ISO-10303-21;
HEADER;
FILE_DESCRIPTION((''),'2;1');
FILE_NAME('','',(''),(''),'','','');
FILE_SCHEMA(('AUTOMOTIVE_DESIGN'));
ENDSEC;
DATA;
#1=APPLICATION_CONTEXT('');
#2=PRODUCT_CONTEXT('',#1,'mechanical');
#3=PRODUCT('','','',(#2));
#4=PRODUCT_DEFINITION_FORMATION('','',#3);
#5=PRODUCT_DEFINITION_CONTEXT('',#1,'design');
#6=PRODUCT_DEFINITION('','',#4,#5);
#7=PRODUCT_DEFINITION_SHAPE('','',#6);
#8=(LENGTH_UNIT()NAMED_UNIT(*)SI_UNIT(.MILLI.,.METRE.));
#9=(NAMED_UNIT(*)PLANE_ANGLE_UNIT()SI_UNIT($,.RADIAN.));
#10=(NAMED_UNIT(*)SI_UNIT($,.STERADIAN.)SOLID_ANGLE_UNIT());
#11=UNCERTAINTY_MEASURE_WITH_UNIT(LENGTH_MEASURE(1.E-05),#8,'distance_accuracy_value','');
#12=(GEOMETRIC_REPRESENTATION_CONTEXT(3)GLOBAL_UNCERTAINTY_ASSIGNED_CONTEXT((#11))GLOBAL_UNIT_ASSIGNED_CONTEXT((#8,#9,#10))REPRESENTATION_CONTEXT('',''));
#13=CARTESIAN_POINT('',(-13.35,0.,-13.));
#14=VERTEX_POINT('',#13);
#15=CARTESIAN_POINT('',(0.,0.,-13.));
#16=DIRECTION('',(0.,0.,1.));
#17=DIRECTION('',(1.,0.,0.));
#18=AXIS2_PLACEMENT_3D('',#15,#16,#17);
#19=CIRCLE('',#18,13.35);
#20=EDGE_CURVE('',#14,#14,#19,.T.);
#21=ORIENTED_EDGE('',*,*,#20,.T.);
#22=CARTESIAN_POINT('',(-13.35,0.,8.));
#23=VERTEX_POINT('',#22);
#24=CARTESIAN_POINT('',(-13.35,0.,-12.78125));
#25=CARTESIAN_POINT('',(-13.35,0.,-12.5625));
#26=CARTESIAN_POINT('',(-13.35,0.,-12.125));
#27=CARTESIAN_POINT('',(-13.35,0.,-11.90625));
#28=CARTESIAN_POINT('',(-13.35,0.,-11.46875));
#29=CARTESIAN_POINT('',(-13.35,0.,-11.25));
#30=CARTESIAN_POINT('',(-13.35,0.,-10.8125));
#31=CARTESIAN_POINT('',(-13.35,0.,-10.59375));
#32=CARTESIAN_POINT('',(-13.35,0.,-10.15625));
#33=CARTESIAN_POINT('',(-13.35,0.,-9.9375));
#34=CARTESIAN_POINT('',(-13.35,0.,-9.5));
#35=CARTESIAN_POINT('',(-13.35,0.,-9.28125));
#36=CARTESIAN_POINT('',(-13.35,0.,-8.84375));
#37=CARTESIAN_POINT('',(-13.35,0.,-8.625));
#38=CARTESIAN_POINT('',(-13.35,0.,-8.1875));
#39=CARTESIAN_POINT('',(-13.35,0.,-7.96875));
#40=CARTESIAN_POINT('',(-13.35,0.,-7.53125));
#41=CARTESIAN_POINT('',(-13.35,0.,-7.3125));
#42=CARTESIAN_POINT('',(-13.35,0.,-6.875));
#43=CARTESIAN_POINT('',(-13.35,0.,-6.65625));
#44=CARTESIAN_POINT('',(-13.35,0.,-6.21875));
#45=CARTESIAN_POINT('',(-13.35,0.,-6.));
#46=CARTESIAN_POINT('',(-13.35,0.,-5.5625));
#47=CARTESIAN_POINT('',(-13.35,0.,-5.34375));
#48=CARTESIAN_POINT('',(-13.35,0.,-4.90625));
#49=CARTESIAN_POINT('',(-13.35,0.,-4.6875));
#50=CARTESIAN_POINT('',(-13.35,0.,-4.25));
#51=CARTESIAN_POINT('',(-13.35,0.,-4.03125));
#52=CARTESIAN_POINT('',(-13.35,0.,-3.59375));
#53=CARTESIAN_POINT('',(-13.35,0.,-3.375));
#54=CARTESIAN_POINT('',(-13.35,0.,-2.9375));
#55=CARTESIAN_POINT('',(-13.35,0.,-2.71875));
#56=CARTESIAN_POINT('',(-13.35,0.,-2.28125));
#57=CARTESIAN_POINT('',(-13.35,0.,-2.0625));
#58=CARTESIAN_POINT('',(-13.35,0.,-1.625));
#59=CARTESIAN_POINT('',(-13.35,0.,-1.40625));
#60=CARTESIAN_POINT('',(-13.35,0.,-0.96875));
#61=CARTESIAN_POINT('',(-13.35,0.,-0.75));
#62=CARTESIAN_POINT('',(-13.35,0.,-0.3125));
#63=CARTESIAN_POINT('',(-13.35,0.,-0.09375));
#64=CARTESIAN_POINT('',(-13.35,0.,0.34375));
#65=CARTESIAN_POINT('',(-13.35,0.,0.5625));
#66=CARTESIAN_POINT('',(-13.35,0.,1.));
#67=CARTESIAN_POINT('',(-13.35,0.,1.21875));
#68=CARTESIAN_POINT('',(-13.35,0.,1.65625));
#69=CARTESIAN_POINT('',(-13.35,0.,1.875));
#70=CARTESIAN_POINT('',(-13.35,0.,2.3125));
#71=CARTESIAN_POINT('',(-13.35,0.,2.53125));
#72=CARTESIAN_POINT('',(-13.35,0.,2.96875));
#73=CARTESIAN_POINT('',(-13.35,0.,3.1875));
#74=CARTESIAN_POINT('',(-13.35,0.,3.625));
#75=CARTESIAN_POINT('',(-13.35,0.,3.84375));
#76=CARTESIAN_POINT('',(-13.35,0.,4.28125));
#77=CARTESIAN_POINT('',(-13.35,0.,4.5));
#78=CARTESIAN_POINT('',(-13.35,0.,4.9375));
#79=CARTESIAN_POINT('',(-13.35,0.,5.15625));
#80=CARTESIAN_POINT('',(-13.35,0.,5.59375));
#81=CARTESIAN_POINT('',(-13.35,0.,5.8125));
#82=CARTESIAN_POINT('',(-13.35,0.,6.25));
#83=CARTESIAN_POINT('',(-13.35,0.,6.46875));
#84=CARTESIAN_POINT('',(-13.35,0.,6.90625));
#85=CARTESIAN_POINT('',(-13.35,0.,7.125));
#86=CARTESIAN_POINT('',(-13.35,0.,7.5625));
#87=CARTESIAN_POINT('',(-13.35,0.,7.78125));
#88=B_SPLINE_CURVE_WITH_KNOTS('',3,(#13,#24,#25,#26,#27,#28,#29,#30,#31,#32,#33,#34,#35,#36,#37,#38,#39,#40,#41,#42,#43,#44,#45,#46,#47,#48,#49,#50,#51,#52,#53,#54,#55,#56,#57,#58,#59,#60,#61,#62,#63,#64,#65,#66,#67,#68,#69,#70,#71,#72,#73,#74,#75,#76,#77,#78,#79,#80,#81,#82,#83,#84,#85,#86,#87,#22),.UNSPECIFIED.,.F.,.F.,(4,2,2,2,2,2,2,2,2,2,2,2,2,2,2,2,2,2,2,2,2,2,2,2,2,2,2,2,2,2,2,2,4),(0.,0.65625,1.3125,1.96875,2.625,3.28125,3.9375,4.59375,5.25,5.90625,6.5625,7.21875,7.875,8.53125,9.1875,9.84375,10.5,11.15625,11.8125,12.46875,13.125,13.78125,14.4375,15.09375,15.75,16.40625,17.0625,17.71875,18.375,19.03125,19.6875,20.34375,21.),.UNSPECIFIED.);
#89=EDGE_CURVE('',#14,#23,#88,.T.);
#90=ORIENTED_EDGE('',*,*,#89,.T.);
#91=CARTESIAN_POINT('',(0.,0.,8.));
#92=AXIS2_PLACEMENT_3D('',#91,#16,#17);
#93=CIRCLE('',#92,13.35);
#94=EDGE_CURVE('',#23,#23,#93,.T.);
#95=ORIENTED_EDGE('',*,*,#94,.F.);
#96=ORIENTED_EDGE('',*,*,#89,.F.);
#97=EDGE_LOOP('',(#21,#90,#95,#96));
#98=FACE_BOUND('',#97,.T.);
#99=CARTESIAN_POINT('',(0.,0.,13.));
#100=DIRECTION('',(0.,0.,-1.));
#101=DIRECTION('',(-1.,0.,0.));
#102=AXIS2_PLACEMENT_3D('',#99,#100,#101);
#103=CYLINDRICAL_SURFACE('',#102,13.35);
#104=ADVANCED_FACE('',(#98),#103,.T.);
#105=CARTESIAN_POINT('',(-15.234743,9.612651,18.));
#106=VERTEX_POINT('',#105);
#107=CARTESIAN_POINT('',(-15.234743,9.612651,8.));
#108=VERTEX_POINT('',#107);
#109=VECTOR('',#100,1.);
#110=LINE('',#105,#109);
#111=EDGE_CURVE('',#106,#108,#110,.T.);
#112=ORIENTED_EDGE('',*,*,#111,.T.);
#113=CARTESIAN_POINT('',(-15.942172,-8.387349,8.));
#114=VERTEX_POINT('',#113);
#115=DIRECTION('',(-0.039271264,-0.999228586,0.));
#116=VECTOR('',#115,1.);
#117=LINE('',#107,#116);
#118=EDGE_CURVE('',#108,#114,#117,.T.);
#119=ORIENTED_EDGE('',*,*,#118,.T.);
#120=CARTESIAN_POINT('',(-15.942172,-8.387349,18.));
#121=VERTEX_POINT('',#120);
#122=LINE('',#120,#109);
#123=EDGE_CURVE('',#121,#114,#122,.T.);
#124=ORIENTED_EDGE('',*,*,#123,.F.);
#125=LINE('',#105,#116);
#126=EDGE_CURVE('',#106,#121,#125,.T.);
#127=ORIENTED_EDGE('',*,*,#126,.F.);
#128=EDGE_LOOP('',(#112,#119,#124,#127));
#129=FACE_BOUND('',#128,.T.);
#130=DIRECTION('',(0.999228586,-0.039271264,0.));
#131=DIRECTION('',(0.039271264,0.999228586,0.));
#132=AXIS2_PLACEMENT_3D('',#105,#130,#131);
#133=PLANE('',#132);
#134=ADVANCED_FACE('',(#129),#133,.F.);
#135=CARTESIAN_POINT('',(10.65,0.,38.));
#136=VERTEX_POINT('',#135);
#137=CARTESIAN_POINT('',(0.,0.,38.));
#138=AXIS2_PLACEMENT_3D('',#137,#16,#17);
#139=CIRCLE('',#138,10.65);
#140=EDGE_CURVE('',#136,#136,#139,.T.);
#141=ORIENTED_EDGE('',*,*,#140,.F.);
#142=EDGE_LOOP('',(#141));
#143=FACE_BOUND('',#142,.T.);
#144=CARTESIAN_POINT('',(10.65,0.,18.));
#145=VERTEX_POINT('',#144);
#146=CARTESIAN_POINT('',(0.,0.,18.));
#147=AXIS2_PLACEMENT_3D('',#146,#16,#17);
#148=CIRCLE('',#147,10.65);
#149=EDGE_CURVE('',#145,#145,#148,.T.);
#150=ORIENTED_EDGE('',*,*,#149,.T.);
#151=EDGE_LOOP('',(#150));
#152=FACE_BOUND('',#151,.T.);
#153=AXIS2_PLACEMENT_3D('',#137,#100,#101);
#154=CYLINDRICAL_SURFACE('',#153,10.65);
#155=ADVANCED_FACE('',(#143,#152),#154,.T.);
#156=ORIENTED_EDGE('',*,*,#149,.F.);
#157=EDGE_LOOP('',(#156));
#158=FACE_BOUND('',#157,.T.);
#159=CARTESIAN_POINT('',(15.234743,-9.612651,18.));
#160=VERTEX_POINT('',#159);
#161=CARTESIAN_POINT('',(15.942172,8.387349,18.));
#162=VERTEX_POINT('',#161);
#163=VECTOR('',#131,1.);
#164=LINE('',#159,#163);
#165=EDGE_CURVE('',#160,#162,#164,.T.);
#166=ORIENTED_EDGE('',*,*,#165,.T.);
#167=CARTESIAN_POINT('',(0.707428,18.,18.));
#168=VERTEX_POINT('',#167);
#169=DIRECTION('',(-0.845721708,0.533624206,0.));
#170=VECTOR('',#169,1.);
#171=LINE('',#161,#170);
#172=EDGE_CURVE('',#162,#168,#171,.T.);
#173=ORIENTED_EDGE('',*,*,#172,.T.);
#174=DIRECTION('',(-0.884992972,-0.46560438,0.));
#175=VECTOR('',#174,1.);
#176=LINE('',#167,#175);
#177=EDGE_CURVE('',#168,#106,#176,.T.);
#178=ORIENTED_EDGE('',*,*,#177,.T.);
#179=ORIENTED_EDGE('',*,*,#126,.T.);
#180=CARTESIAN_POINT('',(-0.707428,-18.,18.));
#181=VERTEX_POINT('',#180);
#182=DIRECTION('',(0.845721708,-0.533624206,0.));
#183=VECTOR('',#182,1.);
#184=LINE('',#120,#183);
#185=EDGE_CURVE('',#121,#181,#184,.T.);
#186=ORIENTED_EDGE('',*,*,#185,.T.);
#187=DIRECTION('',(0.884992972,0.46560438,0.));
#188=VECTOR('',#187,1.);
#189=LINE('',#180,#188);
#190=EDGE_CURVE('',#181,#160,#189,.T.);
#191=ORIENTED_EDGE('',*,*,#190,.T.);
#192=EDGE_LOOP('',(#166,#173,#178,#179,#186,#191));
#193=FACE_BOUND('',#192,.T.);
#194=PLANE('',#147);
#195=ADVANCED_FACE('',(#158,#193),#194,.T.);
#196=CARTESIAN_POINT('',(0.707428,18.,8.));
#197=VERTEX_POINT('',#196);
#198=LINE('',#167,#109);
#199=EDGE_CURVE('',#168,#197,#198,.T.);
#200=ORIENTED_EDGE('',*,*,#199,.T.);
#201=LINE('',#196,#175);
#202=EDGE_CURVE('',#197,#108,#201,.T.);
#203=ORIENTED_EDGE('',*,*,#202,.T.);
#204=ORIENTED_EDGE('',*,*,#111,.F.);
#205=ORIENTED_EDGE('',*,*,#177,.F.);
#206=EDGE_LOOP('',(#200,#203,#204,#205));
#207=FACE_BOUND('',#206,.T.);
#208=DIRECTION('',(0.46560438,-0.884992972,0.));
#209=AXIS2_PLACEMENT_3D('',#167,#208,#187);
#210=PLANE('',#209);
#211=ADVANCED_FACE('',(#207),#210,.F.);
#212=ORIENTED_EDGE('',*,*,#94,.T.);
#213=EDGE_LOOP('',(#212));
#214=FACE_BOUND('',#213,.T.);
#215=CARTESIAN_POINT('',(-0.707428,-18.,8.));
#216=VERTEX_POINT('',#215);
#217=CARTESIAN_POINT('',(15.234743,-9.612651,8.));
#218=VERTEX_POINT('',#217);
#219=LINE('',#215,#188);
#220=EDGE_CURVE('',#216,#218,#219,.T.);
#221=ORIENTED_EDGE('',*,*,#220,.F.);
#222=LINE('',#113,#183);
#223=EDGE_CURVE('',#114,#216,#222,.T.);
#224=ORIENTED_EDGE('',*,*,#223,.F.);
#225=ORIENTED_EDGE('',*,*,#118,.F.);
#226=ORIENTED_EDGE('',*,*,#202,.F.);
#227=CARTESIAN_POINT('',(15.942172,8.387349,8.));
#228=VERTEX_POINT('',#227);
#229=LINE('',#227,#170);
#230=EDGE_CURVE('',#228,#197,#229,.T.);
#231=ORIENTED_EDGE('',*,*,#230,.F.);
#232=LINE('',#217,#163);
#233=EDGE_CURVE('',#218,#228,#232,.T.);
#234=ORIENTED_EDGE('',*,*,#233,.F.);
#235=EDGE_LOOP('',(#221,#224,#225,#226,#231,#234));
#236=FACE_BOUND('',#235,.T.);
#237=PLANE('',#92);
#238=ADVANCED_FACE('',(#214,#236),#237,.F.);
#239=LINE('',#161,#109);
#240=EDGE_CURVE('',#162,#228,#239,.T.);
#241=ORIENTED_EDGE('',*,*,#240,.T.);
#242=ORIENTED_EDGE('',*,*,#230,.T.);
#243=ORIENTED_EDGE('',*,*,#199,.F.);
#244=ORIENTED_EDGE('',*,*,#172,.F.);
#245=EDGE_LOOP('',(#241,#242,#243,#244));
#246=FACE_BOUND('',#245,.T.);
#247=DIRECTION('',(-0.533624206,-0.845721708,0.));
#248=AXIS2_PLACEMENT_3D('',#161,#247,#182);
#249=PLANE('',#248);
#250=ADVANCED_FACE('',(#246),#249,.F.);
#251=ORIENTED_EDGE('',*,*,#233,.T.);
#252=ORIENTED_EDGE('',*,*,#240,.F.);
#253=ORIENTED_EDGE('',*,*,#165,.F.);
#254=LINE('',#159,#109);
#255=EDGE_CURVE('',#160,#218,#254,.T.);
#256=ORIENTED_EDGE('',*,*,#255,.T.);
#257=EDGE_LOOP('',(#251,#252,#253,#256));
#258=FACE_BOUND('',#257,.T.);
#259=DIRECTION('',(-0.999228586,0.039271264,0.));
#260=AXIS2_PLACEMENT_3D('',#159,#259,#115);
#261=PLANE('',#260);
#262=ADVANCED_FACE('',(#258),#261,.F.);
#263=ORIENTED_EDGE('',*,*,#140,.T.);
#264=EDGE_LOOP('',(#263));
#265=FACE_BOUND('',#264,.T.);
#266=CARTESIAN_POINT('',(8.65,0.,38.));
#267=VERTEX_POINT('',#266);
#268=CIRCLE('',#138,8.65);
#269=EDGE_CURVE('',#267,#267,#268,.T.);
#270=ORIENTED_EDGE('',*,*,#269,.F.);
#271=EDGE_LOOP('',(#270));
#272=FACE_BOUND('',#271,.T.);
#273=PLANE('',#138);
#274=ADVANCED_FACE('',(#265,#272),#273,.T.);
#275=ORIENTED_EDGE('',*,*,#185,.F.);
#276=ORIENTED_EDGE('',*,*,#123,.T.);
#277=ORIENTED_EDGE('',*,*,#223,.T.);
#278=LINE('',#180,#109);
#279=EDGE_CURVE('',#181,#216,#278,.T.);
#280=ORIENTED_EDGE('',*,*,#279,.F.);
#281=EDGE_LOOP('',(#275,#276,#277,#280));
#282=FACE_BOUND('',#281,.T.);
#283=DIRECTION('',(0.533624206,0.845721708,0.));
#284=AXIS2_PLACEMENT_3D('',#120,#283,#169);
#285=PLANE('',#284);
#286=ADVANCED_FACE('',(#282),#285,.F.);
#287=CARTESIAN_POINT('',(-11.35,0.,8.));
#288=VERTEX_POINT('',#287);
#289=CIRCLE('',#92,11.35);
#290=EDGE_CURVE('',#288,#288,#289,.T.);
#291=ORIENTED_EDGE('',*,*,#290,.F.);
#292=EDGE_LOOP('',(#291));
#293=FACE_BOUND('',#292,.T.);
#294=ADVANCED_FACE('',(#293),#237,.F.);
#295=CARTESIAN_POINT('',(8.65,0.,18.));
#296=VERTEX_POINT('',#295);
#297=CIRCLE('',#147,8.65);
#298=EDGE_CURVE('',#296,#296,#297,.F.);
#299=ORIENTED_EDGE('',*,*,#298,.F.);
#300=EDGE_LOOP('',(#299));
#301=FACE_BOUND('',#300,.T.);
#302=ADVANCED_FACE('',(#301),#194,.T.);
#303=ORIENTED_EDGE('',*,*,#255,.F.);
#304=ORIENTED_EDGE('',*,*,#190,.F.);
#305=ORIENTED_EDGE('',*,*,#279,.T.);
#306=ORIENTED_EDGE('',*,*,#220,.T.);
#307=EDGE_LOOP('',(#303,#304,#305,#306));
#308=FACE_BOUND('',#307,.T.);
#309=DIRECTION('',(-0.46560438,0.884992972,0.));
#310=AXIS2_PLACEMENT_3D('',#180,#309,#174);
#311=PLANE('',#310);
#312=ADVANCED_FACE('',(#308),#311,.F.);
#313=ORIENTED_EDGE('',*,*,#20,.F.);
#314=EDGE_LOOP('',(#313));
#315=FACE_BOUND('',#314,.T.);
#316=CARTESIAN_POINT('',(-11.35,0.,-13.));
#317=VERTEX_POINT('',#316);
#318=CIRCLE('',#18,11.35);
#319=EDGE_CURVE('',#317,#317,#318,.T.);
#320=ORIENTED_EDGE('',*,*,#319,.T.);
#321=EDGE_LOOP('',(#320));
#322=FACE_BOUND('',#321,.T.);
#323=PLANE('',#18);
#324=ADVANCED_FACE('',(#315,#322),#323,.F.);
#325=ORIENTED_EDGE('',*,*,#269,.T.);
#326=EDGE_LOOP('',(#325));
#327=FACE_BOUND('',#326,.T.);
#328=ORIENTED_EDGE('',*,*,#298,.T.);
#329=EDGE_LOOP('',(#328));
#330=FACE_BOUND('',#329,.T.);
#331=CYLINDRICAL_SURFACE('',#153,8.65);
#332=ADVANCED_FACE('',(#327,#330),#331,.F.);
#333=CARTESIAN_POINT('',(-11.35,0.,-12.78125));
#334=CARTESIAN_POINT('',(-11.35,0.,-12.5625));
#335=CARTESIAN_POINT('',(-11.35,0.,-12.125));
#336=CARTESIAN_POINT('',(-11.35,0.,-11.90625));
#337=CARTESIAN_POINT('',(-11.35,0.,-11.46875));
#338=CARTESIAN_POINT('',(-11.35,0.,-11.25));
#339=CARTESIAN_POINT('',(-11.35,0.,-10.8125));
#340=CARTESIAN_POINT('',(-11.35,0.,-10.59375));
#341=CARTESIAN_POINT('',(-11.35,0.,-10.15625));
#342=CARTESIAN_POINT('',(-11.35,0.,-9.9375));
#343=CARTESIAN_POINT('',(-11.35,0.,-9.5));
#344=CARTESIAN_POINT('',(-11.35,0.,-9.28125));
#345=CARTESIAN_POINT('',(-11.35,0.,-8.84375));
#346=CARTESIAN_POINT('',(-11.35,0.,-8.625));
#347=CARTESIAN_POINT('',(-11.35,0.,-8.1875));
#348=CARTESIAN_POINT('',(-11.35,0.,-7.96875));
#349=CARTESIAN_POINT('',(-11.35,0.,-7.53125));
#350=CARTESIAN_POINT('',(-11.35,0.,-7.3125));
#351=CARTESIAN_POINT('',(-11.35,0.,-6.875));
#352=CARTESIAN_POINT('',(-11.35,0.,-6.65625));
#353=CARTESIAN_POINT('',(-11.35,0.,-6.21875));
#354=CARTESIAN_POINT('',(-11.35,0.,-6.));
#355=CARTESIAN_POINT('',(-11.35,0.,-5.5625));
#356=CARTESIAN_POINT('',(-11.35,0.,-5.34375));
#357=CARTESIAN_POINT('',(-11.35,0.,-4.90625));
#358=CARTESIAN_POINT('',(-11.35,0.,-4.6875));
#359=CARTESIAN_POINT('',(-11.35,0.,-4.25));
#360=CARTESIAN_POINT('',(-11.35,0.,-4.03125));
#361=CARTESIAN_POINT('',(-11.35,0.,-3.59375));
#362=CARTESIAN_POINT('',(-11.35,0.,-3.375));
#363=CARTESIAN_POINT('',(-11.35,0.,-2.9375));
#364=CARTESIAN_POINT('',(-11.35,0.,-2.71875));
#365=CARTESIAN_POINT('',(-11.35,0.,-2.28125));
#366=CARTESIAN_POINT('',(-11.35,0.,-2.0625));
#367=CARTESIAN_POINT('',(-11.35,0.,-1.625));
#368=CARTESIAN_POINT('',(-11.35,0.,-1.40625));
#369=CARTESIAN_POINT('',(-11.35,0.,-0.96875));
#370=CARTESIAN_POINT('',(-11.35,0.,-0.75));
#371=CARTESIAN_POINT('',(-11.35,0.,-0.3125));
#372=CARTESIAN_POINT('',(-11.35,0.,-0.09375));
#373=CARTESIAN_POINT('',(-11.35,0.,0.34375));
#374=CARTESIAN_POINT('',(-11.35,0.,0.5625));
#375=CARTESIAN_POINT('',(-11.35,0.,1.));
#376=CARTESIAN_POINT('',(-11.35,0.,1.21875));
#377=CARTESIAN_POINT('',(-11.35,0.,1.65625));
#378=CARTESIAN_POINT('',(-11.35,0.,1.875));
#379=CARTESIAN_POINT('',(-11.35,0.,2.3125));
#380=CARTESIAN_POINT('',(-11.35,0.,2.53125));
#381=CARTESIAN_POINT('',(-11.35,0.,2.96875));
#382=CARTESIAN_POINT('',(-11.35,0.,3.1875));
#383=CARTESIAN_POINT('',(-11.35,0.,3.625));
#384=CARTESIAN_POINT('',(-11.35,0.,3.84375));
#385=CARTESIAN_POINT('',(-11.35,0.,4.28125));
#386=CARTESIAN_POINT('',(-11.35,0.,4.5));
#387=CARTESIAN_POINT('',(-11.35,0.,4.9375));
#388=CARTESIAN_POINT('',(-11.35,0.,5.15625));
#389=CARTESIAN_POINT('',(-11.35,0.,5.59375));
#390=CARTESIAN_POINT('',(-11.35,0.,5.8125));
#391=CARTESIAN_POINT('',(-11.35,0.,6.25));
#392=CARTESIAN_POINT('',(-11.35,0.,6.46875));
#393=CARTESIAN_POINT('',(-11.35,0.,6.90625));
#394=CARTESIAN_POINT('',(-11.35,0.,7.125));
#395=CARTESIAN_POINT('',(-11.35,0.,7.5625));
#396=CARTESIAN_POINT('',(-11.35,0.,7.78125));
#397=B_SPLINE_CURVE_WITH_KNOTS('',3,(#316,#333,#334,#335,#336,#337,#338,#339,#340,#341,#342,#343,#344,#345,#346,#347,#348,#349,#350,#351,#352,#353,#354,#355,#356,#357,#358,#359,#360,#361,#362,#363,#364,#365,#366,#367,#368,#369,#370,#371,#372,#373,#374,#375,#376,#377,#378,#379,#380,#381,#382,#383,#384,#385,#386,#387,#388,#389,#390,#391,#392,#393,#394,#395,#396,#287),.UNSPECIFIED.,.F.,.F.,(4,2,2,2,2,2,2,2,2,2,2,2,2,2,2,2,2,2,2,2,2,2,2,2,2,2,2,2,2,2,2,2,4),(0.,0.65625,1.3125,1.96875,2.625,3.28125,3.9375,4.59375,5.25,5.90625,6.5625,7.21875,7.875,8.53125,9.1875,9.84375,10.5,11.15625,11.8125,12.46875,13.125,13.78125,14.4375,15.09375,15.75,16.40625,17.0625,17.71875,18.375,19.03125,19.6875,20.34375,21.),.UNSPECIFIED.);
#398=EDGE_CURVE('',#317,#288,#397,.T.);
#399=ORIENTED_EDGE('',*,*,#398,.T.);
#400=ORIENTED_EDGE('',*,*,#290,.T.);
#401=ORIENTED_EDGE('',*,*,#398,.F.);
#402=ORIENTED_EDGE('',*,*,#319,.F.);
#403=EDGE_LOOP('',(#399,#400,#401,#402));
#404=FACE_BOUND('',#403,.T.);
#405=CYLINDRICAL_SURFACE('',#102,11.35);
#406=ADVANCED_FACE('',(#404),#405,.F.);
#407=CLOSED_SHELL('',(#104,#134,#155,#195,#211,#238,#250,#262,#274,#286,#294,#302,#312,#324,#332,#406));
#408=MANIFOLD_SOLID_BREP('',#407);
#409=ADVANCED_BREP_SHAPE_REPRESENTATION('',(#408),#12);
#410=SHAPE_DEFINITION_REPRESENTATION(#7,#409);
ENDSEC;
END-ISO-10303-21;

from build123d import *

# Parameters (mm, degrees)
SKETCH1_R           = 13.35
SKETCH1_R_2         = 11.35
EXTRUDE_THIN1_DEPTH = 13
BOSS_EXTRUDE1_DEPTH = 5
SKETCH3_R           = 10.65
SKETCH3_R_2         = 8.65
EXTRUDE_THIN2_DEPTH = 20


with BuildPart() as part:
    # Sketch1 → Extrude-Thin1 (new, symmetric)
    with BuildSketch(Plane.XY):
        Circle(SKETCH1_R)
        Circle(SKETCH1_R_2, mode=Mode.SUBTRACT)
    extrude(amount=EXTRUDE_THIN1_DEPTH, both=True)

    # Sketch2 → Boss-Extrude1 (add, symmetric)
    with BuildSketch(Plane.XY.offset(13)):
        Polygon((15.942171509, 8.387348964), (0.707428481, 18), (-15.234743028, 9.612651036), (-15.942171509, -8.387348964), (-0.707428481, -18), (15.234743028, -9.612651036), align=None)
    extrude(amount=BOSS_EXTRUDE1_DEPTH, both=True)

    # Sketch3 → Extrude-Thin2 (add)
    with BuildSketch(Plane.XY.offset(18)):
        Circle(SKETCH3_R)
        Circle(SKETCH3_R_2, mode=Mode.SUBTRACT)
    extrude(amount=EXTRUDE_THIN2_DEPTH)


solid = part.part
